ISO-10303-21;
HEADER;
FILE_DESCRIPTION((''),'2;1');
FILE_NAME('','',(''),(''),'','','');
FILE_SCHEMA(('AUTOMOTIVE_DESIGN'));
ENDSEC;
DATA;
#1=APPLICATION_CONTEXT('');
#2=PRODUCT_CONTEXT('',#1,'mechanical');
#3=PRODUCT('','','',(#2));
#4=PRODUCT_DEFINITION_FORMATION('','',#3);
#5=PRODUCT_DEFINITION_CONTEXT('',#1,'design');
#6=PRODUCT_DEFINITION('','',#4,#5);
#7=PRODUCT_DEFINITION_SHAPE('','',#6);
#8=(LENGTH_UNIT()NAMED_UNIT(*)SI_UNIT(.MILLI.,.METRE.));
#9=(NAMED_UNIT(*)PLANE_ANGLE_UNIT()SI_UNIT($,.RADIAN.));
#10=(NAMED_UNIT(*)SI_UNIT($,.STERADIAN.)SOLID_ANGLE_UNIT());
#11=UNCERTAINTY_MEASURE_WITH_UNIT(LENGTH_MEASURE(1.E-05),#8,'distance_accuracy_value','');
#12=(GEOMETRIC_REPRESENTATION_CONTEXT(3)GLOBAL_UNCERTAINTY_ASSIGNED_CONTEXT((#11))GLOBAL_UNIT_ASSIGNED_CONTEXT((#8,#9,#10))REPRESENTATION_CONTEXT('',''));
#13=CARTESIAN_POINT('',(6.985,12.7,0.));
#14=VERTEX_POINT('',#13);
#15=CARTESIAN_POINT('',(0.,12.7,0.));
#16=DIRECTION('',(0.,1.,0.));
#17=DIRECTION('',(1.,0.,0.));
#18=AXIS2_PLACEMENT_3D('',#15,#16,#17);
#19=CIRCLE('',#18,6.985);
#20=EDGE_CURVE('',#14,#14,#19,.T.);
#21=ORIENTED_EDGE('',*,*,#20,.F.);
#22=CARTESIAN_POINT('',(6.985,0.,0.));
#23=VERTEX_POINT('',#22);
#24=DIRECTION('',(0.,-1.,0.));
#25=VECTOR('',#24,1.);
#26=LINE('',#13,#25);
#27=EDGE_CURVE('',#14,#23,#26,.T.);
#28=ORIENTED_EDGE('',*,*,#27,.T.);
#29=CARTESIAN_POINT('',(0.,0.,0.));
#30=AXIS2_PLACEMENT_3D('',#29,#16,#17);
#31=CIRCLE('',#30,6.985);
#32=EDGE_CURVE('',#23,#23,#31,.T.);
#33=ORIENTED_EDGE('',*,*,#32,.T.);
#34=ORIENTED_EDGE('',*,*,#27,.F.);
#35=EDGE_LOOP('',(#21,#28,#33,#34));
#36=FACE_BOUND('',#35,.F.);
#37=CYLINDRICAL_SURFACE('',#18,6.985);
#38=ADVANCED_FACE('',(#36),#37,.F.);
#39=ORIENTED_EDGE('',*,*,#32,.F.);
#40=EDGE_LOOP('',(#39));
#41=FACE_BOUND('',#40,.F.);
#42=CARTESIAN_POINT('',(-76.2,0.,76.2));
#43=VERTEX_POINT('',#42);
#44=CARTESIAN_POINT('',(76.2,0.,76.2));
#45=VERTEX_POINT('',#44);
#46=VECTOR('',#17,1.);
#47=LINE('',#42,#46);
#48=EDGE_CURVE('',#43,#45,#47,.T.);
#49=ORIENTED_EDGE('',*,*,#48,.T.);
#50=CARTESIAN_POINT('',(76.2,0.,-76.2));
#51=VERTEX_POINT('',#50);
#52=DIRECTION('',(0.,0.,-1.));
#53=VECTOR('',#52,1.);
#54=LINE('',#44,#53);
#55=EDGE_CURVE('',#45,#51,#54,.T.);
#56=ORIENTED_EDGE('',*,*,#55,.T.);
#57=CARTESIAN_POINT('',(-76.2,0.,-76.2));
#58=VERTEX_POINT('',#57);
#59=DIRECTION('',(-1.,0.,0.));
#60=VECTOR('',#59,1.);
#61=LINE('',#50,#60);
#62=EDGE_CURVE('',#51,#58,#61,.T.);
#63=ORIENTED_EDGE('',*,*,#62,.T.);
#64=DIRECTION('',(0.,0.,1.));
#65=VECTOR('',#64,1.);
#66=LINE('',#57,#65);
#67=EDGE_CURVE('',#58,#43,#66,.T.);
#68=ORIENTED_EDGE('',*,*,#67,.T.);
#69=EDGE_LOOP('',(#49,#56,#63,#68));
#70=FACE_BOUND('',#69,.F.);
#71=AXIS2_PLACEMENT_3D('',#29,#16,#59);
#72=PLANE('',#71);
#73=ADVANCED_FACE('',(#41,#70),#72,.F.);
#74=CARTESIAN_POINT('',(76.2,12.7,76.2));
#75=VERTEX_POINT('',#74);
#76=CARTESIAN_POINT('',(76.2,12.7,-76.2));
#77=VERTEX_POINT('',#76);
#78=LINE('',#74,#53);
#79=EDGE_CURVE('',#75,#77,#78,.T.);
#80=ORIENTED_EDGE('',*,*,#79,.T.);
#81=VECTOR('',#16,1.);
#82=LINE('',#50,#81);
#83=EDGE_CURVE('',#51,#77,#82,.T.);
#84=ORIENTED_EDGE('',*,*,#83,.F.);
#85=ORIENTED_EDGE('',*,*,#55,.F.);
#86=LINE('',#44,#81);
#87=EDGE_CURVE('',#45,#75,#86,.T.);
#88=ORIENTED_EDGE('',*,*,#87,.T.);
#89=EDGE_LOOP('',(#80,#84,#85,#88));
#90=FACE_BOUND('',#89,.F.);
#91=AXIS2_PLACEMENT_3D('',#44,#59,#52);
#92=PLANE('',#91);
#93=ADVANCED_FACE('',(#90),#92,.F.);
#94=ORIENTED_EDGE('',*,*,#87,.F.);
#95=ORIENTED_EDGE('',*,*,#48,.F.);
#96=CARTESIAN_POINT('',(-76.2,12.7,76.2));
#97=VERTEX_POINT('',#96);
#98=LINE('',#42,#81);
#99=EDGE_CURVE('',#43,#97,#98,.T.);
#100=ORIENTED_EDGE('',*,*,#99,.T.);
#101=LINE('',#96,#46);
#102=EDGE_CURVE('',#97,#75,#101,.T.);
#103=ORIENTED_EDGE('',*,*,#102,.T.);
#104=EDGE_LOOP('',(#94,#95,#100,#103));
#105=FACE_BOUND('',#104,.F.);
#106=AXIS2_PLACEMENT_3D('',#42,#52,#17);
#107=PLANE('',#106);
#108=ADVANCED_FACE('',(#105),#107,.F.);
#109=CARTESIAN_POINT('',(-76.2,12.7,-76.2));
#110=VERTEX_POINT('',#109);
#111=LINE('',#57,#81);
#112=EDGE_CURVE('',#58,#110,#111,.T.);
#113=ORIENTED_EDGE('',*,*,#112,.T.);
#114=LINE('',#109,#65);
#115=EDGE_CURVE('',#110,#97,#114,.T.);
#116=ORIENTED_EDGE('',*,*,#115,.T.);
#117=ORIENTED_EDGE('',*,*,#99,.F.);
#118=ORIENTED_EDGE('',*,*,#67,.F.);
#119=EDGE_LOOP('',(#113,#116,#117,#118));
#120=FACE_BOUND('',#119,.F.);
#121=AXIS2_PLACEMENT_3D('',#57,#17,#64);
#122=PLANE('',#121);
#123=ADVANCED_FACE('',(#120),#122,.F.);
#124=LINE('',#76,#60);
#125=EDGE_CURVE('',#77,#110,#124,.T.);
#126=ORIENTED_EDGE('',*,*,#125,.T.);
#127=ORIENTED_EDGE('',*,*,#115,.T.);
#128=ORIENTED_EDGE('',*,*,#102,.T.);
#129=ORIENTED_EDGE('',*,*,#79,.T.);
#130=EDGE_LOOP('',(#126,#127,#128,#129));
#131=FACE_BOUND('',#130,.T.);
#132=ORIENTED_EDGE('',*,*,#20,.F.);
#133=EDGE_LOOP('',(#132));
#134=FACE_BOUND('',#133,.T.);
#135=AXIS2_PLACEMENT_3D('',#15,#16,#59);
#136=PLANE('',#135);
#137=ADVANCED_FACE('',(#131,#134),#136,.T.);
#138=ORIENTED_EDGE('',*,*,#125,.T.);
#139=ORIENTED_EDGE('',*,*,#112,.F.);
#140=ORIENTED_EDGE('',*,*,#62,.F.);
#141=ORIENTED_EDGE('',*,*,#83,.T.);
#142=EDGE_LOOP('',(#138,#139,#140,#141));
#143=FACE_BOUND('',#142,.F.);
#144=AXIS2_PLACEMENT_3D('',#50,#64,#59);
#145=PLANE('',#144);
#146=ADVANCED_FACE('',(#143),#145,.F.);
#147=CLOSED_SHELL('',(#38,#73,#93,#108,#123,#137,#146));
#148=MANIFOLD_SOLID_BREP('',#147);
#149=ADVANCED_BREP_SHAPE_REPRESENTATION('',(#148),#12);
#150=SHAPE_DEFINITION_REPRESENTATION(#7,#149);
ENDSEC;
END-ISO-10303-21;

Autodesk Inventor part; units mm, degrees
ref_plane "XZ Plane" through (0, 0, 0) normal (0, 1, 0) x (-1, 0, 0)
sketch "Sketch2" plane through (0, 0, 0) normal (0, 1, 0) x (-1, 0, 0)
  line L0 (76.2, 76.2) -> (-76.2, 76.2)
  line L1 (-76.2, 76.2) -> (-76.2, -76.2)
  line L2 (-76.2, -76.2) -> (76.2, -76.2)
  line L3 (76.2, -76.2) -> (76.2, 76.2)
  line L4 (76.2, 76.2) -> (-76.2, -76.2) construction
  line L5 (-76.2, 76.2) -> (76.2, -76.2) construction
  point P0 (0, 0)
  dimension "d0" = 152.4
extrude "Extrusion1" add sketch "Sketch2" along normal blind 12.7
sketch "Sketch3" plane through (0, 12.7, 0) normal (0, 1, 0) x (1, 0, 0)
  circle A0 centre (0, 0) radius 6.985
  dimension "d3" = 13.97
extrude "Extrusion2" cut sketch "Sketch3" against normal through all
properties part number "tableForBall"
